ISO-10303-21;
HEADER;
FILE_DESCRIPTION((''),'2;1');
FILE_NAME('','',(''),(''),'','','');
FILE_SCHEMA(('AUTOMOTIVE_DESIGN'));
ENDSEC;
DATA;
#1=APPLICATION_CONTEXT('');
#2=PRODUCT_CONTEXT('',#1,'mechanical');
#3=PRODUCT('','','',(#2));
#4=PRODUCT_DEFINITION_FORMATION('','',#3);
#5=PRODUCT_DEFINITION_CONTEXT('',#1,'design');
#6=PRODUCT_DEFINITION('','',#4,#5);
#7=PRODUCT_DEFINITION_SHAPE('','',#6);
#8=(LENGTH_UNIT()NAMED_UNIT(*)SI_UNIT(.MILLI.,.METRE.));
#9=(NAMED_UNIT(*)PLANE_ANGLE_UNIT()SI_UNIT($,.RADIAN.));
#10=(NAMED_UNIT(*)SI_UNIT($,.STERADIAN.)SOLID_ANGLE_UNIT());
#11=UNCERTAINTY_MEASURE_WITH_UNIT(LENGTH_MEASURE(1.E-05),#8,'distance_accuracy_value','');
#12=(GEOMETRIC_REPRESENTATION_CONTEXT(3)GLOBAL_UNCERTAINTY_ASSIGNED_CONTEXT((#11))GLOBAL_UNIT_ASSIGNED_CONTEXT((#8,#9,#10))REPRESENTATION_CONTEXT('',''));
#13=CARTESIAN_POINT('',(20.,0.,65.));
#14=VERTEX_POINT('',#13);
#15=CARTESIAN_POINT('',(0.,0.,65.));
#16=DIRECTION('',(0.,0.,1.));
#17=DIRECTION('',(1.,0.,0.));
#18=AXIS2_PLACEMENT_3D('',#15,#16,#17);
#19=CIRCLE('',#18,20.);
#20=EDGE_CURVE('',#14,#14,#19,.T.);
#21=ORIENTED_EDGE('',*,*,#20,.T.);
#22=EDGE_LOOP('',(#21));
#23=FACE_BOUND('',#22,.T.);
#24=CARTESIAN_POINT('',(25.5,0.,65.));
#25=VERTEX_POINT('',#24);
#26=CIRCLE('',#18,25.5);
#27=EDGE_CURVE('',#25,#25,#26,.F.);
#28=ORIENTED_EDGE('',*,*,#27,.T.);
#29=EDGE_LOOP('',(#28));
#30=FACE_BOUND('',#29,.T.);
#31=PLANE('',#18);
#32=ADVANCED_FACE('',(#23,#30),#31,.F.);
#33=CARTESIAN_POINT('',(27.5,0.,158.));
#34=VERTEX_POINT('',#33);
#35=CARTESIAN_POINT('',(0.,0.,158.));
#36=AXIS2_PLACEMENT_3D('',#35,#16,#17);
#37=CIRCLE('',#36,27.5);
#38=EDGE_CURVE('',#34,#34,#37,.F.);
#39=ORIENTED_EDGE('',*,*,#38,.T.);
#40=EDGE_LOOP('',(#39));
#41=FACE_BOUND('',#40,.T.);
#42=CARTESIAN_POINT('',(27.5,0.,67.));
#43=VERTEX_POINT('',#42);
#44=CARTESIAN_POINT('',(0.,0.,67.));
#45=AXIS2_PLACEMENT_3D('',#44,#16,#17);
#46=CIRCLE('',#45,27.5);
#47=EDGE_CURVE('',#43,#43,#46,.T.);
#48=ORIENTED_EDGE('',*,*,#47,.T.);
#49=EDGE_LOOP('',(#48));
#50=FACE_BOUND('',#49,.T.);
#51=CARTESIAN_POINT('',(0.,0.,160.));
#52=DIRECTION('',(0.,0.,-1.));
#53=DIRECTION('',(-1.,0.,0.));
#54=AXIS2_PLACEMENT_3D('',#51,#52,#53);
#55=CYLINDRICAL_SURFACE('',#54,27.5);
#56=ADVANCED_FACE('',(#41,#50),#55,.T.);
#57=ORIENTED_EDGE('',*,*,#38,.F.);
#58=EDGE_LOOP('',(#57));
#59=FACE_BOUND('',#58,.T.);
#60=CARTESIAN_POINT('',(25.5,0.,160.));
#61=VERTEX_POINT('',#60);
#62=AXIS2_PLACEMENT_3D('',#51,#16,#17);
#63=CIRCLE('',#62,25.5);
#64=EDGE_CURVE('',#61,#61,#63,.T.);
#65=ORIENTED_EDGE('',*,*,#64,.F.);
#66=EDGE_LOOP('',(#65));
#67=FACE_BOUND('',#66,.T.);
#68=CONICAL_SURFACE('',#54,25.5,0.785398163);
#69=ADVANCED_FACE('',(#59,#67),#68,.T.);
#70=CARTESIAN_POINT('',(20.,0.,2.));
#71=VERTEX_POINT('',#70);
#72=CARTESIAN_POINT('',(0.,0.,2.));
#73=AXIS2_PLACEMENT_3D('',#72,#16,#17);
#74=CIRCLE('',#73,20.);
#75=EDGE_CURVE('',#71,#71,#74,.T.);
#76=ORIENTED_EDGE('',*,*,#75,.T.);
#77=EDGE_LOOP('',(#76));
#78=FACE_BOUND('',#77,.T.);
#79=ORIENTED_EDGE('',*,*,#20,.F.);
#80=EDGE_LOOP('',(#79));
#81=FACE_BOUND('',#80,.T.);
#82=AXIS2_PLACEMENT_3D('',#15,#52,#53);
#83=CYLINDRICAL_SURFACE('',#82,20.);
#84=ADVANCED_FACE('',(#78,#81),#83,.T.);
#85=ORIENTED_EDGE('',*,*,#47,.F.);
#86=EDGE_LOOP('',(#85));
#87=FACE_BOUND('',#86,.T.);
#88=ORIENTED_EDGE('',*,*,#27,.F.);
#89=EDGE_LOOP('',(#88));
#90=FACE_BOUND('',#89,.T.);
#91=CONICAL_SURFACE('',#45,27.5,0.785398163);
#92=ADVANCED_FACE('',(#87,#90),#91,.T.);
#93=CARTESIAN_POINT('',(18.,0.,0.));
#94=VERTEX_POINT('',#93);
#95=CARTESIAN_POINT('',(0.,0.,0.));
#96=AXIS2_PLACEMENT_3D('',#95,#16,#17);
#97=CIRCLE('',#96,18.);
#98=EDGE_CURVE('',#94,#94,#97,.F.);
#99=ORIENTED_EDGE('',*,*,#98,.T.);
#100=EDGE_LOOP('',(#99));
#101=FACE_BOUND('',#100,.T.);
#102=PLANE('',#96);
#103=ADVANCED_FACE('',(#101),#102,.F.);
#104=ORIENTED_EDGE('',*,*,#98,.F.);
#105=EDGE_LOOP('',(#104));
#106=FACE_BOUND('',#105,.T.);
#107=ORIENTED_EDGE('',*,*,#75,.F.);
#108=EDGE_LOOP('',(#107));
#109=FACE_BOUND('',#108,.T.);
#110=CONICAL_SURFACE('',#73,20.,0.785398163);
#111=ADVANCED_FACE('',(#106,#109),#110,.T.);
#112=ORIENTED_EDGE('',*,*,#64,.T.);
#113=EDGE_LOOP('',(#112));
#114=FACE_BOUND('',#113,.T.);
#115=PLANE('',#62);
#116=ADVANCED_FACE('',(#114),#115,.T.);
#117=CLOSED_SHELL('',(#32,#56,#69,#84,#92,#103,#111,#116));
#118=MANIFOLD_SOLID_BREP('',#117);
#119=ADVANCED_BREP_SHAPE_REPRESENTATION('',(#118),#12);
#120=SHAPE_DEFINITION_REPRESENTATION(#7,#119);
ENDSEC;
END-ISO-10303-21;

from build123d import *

# Parameters (mm, degrees)
SKETCH_1_R      = 20
EXTRUDE_1_DEPTH = 65
SKETCH_2_R      = 27.5
EXTRUDE_2_DEPTH = 95
CHAMFER_1_SIZE  = 2


with BuildPart() as part:
    # 草图1 → 凸台-拉伸1 (new body)
    with BuildSketch(Plane.XY):
        Circle(SKETCH_1_R)
    extrude(amount=EXTRUDE_1_DEPTH)

    # 草图2 → 凸台-拉伸2 (add)
    with BuildSketch(Plane.XY.offset(65)):
        Circle(SKETCH_2_R)
    extrude(amount=EXTRUDE_2_DEPTH)

    # 倒角1
    chamfer_1_edges = [part.edges().sort_by_distance(p)[0] for p in [
        (-20, 0, 0),
        (-27.5, 0, 65),
        (-27.5, 0, 160),
    ]]
    chamfer(chamfer_1_edges, length=CHAMFER_1_SIZE)


solid = part.part
